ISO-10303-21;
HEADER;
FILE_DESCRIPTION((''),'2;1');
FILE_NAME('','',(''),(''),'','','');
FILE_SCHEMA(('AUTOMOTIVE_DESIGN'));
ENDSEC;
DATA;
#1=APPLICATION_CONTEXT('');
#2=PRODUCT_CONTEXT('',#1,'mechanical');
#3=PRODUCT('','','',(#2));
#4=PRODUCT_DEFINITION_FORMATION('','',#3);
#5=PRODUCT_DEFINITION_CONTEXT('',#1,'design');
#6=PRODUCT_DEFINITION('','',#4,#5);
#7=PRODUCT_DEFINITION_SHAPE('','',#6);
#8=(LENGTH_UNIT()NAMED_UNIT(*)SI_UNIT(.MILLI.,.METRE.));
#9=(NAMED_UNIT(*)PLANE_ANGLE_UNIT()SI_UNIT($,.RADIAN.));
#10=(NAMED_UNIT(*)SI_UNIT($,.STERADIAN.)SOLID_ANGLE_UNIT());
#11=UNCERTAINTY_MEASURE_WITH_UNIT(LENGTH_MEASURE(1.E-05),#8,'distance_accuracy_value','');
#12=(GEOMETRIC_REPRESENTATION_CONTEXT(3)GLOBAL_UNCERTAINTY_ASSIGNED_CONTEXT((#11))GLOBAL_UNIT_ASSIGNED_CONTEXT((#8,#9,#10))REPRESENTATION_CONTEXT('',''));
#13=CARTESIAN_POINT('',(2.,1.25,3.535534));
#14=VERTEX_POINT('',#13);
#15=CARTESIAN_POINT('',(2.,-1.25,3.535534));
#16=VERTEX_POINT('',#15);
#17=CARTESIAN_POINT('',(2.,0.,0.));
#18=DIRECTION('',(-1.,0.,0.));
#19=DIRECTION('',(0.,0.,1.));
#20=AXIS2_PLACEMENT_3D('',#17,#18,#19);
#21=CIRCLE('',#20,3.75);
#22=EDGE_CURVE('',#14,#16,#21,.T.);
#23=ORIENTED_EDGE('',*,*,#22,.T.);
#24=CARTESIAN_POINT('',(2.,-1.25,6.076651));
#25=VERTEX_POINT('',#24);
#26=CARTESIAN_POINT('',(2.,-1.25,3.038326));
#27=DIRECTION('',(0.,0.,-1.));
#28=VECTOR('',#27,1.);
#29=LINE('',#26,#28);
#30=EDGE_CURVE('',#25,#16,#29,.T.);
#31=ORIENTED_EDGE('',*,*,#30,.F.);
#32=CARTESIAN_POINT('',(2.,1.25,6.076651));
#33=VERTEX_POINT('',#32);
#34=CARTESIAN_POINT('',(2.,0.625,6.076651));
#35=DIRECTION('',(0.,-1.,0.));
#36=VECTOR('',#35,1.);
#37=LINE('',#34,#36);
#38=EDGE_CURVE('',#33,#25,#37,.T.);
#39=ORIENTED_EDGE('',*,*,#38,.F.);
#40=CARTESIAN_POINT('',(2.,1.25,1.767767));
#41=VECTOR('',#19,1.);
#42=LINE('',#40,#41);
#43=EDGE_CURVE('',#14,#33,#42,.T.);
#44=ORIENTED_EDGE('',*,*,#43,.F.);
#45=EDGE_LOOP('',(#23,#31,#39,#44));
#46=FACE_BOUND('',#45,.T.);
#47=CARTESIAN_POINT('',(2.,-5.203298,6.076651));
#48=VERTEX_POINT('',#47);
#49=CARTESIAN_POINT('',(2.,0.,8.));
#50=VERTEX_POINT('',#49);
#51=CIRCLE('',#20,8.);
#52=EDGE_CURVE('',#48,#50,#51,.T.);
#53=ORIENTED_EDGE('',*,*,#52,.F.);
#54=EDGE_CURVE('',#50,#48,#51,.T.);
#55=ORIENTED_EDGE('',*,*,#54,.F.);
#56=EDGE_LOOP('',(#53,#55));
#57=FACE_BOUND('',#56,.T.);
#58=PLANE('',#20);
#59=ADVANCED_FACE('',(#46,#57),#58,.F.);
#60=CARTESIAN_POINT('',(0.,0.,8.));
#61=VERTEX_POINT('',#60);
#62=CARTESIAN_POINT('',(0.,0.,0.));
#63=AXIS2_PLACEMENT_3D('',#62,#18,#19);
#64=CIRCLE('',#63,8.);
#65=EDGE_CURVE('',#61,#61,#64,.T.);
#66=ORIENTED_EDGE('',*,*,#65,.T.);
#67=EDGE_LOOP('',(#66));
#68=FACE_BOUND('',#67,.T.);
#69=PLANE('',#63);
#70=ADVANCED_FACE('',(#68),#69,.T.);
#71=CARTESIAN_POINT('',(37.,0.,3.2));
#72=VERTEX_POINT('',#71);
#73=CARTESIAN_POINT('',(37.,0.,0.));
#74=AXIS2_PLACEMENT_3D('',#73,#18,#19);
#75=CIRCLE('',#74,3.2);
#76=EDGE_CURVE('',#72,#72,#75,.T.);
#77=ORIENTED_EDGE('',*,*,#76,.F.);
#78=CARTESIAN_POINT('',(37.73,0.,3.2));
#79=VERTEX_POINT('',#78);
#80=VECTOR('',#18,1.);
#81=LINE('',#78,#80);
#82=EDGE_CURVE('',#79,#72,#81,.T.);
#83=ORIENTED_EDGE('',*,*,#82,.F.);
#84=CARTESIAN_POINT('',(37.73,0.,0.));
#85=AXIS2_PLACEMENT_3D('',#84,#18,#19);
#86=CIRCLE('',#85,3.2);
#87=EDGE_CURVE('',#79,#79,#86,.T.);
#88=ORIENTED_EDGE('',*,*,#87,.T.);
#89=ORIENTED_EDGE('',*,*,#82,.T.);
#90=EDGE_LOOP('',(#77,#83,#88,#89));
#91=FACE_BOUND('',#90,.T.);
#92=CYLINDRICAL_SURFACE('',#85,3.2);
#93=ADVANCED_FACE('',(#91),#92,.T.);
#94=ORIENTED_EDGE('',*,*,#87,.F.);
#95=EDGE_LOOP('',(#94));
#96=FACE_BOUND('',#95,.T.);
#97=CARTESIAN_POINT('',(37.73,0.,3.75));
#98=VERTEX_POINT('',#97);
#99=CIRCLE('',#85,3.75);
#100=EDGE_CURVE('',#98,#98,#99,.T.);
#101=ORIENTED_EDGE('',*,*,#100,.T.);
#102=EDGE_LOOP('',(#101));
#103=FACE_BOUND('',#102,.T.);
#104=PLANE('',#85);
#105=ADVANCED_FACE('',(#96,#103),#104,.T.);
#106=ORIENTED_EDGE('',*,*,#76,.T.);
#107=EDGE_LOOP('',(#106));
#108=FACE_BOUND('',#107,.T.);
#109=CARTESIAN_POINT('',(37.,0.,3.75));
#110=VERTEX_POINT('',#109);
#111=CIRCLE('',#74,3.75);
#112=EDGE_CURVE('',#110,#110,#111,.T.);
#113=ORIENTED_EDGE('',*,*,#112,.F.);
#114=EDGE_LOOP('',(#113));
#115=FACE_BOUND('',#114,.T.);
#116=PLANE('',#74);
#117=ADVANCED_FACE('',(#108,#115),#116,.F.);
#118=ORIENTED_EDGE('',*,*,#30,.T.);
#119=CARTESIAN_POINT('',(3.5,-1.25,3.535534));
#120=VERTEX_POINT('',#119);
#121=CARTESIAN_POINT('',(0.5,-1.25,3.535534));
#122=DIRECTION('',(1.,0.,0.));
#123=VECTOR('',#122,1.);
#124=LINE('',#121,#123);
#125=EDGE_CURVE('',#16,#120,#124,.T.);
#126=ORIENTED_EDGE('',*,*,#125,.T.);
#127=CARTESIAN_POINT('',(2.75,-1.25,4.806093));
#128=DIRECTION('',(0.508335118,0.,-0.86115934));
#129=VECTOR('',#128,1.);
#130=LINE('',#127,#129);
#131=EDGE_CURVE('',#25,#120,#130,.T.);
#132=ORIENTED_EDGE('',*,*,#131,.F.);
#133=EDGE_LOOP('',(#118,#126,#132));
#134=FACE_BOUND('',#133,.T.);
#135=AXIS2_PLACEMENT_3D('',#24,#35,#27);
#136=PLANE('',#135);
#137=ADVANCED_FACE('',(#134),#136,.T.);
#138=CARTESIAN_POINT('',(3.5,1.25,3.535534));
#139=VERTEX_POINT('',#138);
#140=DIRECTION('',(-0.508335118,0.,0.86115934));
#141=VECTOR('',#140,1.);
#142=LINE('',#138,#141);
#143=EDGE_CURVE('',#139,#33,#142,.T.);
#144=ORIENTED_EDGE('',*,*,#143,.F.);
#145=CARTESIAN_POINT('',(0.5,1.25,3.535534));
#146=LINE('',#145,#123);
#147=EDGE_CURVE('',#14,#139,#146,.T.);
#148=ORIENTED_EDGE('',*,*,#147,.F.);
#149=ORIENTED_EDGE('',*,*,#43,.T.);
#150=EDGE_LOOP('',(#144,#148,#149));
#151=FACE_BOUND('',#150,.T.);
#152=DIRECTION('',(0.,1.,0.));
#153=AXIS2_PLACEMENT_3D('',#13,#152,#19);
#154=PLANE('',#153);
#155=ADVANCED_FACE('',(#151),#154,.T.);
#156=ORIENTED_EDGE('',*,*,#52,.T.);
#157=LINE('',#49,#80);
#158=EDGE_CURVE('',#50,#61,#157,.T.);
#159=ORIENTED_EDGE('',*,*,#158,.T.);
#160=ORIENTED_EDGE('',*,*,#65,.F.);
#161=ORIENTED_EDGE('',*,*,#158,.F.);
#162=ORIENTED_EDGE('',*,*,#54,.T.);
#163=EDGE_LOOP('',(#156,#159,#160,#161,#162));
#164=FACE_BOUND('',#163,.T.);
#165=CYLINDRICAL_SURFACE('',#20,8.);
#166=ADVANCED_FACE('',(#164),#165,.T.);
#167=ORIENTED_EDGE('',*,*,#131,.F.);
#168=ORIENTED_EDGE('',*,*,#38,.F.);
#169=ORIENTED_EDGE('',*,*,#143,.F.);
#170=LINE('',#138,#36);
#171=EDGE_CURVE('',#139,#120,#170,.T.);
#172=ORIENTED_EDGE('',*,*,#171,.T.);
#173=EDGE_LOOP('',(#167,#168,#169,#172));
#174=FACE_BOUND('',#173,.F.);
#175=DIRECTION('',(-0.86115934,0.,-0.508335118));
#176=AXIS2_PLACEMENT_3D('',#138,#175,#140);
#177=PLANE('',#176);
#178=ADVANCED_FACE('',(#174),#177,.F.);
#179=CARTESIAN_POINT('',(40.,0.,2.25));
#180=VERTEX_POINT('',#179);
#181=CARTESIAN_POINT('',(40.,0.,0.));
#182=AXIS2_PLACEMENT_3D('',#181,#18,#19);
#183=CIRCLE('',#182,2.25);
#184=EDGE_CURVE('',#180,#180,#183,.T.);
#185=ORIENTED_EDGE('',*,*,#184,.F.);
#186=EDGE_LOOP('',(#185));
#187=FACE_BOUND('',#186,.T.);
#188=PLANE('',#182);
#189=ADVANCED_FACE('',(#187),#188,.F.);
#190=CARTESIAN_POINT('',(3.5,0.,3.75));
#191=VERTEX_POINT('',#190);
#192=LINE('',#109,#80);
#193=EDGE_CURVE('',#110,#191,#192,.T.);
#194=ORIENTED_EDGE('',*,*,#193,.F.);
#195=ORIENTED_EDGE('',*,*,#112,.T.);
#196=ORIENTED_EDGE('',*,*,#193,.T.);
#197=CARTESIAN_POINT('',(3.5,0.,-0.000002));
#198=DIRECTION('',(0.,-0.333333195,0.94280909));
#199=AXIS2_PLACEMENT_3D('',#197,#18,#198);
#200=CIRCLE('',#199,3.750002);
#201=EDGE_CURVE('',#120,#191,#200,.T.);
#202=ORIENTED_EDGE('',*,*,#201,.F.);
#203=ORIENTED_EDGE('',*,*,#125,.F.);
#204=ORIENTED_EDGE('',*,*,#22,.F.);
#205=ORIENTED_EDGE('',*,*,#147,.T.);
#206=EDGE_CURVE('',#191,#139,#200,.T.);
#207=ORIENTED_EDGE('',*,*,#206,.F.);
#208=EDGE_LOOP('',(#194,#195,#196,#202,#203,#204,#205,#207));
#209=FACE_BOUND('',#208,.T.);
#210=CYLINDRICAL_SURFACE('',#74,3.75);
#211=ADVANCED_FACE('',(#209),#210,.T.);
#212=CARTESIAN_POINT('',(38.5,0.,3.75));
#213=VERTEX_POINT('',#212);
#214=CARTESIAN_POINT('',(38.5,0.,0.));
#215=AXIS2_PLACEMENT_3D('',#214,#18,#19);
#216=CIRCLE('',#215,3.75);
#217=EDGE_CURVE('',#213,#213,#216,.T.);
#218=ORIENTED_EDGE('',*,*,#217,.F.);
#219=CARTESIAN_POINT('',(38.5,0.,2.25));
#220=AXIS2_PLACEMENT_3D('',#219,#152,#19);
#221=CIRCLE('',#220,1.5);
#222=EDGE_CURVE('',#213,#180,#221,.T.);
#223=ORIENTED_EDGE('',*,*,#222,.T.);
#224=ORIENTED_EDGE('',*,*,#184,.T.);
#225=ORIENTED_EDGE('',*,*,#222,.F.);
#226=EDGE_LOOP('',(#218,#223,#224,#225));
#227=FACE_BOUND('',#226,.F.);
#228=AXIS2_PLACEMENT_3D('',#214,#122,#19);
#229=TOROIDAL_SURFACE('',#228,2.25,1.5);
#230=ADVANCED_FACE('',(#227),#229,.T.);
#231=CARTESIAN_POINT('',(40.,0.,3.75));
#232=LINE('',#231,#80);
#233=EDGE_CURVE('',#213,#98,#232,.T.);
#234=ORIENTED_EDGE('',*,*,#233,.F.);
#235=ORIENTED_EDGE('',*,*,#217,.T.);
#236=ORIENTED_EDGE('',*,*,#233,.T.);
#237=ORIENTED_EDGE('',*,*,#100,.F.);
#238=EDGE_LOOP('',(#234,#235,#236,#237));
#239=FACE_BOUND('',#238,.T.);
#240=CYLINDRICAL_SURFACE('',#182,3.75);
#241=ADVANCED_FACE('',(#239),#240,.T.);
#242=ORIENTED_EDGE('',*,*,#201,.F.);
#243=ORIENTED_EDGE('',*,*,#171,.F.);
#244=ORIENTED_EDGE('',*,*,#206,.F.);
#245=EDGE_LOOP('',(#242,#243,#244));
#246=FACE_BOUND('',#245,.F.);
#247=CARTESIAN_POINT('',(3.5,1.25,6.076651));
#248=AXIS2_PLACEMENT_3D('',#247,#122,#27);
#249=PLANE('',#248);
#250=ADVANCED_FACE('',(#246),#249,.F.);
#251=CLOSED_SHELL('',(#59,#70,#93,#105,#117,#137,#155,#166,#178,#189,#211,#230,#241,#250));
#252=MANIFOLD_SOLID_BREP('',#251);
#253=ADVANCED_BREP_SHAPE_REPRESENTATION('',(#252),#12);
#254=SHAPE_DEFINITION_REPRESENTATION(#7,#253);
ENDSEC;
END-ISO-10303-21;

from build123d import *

# Parameters (mm, degrees)
F3_DEPTH = 1.5
F5_DEPTH = 25
F6_R     = 1.5


with BuildPart() as f1:
    # F0 (on Front) → F1 (revolve)
    with BuildSketch(Plane.XZ):
        Polygon((0, 8), (0, 0), (40, 0), (40, 3.75), (37.73, 3.75), (37.73, 3.2), (37, 3.2), (37, 3.75), (2, 3.75), (2, 8), align=None)
    revolve(axis=Axis((20, 0, 0), (-1, 0, 0)))

    # F2 (on face) → F3 (join, symmetric)
    with BuildSketch(Plane.YZ.offset(2)):
        with BuildLine():
            Line((-1.25, 6.076651), (-1.25, 3.535534))
            ThreePointArc((-1.25, 3.535534), (0, 3.75), (1.25, 3.535534))
            Line((1.25, 3.535534), (1.25, 6.076651))
            Line((1.25, 6.076651), (-1.25, 6.076651))
        make_face()
    extrude(amount=F3_DEPTH, both=True)

    # F4 (on face) → F5 (cut)
    with BuildSketch(Plane(origin=(0, 1.25, 0), x_dir=(-1, 0, 0), z_dir=(0, 1, 0))):
        Polygon((-3.5, 3.535534), (-2, 6.076651), (-3.5, 6.076651), align=None)
    extrude(amount=-F5_DEPTH, mode=Mode.SUBTRACT)

    # F6
    f6_edges = [f1.edges().sort_by_distance(p)[0] for p in [
        (40, 0, -3.75),
    ]]
    fillet(f6_edges, radius=F6_R)


solid = f1.part
